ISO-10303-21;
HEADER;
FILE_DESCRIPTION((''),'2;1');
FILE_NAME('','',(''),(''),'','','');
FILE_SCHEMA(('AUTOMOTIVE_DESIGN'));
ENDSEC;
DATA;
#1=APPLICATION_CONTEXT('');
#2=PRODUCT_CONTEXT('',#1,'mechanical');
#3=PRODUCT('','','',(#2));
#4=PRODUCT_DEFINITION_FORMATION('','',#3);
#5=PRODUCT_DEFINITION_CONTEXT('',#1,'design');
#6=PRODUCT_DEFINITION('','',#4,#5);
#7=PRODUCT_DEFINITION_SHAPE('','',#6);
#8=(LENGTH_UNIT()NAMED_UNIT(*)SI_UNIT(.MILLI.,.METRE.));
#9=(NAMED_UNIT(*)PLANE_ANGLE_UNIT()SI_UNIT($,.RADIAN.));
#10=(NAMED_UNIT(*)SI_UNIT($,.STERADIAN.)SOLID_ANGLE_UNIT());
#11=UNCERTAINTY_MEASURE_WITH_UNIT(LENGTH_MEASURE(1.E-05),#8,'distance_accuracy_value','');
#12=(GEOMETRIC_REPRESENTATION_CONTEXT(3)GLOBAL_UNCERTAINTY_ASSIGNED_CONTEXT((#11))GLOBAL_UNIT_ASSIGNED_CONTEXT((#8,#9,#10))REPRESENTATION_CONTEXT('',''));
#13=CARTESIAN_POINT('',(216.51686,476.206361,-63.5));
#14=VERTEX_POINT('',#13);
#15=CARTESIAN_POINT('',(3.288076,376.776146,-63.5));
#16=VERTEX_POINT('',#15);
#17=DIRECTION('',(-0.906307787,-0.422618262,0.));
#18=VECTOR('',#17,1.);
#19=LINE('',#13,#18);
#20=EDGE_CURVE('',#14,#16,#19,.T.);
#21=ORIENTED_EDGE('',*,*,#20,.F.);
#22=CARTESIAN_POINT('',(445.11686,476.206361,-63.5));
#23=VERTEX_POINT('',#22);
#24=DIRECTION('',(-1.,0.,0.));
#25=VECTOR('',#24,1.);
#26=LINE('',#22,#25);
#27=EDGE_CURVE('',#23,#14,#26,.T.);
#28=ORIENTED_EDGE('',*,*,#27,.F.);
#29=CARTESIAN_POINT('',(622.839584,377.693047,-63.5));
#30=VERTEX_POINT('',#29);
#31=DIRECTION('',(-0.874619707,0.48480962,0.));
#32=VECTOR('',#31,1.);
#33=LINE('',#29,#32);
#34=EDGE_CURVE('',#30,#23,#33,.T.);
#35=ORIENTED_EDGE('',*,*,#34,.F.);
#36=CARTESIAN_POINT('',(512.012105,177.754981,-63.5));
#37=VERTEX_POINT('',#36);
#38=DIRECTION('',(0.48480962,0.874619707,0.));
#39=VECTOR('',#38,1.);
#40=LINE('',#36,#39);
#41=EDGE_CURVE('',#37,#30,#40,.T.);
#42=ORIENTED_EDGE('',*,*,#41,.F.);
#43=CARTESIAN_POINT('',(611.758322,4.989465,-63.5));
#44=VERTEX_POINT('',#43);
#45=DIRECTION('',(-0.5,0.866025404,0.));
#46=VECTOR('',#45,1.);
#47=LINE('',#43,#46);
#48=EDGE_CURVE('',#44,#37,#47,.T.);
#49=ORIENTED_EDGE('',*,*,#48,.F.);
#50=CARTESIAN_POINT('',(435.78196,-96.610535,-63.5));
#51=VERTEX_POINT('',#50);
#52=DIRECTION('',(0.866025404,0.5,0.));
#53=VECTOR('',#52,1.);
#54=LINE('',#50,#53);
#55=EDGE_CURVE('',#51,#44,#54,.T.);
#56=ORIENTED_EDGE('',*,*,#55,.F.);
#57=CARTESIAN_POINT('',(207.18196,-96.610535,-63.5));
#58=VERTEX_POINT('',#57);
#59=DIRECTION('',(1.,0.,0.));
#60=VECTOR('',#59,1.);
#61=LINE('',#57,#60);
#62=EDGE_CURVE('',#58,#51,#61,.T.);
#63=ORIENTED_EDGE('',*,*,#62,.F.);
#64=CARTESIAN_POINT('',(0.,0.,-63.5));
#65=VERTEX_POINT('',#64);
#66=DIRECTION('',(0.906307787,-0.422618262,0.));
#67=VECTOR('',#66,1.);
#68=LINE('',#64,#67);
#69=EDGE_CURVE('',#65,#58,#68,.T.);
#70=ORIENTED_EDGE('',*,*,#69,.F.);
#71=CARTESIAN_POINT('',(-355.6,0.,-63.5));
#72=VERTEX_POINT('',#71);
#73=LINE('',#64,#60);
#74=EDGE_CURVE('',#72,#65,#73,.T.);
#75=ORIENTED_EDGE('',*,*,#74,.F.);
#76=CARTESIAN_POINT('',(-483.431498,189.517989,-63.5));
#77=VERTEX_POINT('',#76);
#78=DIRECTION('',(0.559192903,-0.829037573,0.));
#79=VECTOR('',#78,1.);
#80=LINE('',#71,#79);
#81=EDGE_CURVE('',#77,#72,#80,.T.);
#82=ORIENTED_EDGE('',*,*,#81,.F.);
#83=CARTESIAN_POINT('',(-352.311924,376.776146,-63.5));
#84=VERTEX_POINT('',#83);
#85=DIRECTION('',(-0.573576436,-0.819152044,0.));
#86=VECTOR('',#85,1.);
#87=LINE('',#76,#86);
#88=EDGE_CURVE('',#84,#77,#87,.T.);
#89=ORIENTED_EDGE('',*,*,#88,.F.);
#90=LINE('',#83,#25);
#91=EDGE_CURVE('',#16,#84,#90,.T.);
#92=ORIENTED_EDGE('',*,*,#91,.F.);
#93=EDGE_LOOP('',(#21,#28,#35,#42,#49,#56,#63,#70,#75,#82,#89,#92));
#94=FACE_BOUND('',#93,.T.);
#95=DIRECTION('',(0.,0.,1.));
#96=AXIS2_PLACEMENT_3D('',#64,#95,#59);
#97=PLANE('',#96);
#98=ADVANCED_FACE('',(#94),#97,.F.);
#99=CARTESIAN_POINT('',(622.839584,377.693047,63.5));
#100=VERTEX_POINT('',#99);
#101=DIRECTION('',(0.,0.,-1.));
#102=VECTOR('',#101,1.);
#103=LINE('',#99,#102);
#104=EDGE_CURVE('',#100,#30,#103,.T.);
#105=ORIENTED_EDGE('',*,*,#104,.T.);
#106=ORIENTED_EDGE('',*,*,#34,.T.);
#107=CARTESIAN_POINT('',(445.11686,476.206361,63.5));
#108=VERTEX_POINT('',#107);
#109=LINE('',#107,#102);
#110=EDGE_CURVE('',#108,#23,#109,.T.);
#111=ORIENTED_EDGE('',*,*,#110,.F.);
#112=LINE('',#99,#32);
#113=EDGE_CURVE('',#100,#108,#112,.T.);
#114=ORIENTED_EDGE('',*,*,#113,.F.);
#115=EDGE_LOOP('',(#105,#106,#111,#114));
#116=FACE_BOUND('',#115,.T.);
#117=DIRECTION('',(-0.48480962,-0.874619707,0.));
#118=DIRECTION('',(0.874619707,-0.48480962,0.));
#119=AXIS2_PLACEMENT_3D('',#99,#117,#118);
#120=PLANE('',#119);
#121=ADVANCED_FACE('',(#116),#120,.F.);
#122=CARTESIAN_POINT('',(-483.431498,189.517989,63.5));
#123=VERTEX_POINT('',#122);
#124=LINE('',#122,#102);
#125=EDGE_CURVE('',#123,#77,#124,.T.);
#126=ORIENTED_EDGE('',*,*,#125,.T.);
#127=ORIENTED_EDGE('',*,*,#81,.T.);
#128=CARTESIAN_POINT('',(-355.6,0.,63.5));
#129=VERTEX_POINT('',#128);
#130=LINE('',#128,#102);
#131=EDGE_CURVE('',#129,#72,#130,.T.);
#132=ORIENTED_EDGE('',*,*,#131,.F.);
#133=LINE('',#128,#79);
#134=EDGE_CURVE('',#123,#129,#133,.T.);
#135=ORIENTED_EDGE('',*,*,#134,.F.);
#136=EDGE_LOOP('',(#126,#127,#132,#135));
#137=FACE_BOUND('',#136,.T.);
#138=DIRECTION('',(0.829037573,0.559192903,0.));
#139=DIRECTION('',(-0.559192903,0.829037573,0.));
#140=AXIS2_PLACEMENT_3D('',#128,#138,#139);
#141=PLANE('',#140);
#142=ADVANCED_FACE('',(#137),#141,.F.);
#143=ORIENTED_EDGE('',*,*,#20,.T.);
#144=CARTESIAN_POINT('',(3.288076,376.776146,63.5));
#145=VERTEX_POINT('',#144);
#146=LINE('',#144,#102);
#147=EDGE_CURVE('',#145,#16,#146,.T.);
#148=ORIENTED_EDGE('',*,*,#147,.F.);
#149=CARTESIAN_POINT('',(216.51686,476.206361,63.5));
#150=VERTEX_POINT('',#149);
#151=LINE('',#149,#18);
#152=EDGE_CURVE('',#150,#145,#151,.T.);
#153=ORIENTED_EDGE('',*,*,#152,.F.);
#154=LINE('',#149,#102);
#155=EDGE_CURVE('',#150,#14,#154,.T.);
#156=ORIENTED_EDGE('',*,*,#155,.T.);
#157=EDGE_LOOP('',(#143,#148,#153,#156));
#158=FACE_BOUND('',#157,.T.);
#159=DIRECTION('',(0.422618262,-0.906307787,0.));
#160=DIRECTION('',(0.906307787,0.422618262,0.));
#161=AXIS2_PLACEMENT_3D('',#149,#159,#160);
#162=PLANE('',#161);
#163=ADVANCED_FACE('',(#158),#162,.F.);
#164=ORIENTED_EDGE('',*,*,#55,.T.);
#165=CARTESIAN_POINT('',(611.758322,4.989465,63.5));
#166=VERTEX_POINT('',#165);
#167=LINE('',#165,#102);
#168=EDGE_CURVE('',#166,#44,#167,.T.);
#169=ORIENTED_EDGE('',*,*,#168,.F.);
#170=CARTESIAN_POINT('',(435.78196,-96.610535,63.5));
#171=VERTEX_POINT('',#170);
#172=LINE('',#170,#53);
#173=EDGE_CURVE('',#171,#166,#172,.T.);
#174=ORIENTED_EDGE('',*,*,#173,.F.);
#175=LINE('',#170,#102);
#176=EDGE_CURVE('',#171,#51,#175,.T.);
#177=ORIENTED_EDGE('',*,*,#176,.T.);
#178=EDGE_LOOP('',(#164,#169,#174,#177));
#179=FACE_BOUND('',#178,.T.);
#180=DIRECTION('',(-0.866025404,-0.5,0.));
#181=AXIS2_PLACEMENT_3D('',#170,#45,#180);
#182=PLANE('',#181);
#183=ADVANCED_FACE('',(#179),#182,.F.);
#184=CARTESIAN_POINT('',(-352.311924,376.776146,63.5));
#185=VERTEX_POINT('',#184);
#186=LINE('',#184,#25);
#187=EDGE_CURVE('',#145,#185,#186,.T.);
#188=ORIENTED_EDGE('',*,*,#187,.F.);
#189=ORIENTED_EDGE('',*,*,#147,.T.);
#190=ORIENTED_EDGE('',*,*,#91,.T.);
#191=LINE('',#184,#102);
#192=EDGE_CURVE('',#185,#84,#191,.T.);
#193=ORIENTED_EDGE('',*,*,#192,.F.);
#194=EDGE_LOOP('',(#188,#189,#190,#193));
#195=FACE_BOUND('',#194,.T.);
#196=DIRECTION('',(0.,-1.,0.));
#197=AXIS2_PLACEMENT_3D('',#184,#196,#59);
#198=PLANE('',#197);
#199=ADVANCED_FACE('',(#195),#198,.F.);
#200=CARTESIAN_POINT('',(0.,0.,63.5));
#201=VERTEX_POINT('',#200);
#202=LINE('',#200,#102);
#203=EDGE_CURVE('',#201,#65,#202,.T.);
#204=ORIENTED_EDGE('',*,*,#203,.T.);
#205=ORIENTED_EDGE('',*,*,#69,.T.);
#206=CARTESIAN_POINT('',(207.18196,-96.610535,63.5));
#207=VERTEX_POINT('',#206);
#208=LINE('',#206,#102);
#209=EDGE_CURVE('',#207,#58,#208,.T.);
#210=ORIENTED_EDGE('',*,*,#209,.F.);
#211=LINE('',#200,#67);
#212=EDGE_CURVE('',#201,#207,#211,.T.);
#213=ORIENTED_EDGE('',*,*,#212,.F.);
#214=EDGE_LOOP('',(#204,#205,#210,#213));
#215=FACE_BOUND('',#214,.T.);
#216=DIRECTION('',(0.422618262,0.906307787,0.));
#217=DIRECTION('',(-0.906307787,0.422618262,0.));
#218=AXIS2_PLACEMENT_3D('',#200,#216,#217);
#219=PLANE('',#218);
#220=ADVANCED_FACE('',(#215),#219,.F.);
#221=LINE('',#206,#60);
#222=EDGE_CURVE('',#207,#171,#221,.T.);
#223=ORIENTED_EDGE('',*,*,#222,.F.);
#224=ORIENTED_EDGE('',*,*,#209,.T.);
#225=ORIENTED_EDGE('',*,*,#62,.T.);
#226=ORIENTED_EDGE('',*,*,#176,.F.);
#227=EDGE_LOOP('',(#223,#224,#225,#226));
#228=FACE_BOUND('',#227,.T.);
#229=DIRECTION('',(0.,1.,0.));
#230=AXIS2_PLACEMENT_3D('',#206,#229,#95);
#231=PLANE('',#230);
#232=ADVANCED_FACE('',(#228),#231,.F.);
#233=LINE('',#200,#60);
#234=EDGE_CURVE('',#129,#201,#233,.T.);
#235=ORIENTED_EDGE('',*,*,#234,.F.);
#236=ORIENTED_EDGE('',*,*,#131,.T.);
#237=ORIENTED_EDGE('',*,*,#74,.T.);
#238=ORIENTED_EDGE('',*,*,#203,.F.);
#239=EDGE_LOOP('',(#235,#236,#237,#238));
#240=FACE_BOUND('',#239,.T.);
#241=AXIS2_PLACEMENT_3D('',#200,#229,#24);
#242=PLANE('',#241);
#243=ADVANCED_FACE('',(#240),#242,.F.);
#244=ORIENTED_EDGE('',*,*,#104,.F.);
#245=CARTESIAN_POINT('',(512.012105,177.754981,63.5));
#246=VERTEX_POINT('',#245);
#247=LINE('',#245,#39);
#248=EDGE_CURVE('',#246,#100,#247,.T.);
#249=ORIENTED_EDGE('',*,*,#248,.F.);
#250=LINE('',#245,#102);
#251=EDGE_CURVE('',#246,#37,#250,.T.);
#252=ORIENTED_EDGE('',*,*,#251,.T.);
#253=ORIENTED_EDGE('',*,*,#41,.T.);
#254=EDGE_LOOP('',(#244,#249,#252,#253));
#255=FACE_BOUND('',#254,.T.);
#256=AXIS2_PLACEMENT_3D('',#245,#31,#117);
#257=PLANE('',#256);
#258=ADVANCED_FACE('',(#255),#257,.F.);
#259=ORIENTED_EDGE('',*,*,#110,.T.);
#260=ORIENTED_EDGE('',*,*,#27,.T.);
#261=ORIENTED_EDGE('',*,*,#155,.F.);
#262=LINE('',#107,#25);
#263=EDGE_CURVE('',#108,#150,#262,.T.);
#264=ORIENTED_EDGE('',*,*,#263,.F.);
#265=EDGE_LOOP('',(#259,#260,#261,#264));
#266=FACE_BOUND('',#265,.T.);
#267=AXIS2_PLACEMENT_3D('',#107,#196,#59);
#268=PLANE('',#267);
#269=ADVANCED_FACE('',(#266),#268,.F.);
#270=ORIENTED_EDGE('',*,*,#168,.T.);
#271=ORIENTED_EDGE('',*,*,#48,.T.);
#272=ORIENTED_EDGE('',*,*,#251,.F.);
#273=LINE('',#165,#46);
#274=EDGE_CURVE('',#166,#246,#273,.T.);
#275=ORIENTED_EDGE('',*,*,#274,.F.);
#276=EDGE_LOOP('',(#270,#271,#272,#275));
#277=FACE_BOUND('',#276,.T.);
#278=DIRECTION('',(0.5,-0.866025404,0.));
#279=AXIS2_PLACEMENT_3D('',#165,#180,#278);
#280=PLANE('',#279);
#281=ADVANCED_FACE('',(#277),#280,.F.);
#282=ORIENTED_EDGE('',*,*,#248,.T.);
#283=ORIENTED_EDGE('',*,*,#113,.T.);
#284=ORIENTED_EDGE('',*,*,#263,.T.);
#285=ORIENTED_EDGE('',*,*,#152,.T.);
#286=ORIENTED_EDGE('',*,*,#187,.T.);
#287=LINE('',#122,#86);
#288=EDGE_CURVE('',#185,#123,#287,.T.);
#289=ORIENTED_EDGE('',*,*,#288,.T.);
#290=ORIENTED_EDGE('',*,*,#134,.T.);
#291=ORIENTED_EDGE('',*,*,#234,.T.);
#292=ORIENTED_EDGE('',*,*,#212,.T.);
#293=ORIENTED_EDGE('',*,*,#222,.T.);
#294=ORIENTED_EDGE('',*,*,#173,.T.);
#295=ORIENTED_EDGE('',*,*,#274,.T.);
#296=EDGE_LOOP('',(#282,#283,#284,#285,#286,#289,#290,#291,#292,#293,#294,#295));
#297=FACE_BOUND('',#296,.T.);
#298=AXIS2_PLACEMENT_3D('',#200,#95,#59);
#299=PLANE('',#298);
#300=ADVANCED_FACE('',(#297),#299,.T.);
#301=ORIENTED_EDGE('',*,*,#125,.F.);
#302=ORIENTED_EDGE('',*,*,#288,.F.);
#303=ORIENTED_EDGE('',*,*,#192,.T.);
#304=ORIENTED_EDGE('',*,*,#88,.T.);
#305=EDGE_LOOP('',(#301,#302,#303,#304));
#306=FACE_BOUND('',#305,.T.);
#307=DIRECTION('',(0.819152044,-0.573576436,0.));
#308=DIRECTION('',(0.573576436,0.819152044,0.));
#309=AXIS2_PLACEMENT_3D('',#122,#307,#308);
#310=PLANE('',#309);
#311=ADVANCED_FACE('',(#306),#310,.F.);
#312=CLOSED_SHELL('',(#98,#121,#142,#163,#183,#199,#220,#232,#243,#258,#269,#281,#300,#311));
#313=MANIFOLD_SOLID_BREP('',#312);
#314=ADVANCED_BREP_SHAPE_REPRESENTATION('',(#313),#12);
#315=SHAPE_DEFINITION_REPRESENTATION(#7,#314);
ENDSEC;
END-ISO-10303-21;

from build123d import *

# Parameters (mm, degrees)
BOSS_EXTRUDE1_DEPTH = 63.5


with BuildPart() as part:
    # Sketch1 → Boss-Extrude1 (new, symmetric)
    with BuildSketch(Plane.XY):
        Polygon((0, 0), (-355.6, 0), (-483.431497733, 189.517989086), (-352.311924384, 376.776146411), (3.288075616, 376.776146411), (216.516859643, 476.206361341), (445.116859643, 476.206361341), (622.839584133, 377.693046507), (512.012104945, 177.754981455), (611.758322166, 4.989465366), (435.781960117, -96.610534634), (207.181960117, -96.610534634), align=None)
    extrude(amount=BOSS_EXTRUDE1_DEPTH, both=True)


solid = part.part
